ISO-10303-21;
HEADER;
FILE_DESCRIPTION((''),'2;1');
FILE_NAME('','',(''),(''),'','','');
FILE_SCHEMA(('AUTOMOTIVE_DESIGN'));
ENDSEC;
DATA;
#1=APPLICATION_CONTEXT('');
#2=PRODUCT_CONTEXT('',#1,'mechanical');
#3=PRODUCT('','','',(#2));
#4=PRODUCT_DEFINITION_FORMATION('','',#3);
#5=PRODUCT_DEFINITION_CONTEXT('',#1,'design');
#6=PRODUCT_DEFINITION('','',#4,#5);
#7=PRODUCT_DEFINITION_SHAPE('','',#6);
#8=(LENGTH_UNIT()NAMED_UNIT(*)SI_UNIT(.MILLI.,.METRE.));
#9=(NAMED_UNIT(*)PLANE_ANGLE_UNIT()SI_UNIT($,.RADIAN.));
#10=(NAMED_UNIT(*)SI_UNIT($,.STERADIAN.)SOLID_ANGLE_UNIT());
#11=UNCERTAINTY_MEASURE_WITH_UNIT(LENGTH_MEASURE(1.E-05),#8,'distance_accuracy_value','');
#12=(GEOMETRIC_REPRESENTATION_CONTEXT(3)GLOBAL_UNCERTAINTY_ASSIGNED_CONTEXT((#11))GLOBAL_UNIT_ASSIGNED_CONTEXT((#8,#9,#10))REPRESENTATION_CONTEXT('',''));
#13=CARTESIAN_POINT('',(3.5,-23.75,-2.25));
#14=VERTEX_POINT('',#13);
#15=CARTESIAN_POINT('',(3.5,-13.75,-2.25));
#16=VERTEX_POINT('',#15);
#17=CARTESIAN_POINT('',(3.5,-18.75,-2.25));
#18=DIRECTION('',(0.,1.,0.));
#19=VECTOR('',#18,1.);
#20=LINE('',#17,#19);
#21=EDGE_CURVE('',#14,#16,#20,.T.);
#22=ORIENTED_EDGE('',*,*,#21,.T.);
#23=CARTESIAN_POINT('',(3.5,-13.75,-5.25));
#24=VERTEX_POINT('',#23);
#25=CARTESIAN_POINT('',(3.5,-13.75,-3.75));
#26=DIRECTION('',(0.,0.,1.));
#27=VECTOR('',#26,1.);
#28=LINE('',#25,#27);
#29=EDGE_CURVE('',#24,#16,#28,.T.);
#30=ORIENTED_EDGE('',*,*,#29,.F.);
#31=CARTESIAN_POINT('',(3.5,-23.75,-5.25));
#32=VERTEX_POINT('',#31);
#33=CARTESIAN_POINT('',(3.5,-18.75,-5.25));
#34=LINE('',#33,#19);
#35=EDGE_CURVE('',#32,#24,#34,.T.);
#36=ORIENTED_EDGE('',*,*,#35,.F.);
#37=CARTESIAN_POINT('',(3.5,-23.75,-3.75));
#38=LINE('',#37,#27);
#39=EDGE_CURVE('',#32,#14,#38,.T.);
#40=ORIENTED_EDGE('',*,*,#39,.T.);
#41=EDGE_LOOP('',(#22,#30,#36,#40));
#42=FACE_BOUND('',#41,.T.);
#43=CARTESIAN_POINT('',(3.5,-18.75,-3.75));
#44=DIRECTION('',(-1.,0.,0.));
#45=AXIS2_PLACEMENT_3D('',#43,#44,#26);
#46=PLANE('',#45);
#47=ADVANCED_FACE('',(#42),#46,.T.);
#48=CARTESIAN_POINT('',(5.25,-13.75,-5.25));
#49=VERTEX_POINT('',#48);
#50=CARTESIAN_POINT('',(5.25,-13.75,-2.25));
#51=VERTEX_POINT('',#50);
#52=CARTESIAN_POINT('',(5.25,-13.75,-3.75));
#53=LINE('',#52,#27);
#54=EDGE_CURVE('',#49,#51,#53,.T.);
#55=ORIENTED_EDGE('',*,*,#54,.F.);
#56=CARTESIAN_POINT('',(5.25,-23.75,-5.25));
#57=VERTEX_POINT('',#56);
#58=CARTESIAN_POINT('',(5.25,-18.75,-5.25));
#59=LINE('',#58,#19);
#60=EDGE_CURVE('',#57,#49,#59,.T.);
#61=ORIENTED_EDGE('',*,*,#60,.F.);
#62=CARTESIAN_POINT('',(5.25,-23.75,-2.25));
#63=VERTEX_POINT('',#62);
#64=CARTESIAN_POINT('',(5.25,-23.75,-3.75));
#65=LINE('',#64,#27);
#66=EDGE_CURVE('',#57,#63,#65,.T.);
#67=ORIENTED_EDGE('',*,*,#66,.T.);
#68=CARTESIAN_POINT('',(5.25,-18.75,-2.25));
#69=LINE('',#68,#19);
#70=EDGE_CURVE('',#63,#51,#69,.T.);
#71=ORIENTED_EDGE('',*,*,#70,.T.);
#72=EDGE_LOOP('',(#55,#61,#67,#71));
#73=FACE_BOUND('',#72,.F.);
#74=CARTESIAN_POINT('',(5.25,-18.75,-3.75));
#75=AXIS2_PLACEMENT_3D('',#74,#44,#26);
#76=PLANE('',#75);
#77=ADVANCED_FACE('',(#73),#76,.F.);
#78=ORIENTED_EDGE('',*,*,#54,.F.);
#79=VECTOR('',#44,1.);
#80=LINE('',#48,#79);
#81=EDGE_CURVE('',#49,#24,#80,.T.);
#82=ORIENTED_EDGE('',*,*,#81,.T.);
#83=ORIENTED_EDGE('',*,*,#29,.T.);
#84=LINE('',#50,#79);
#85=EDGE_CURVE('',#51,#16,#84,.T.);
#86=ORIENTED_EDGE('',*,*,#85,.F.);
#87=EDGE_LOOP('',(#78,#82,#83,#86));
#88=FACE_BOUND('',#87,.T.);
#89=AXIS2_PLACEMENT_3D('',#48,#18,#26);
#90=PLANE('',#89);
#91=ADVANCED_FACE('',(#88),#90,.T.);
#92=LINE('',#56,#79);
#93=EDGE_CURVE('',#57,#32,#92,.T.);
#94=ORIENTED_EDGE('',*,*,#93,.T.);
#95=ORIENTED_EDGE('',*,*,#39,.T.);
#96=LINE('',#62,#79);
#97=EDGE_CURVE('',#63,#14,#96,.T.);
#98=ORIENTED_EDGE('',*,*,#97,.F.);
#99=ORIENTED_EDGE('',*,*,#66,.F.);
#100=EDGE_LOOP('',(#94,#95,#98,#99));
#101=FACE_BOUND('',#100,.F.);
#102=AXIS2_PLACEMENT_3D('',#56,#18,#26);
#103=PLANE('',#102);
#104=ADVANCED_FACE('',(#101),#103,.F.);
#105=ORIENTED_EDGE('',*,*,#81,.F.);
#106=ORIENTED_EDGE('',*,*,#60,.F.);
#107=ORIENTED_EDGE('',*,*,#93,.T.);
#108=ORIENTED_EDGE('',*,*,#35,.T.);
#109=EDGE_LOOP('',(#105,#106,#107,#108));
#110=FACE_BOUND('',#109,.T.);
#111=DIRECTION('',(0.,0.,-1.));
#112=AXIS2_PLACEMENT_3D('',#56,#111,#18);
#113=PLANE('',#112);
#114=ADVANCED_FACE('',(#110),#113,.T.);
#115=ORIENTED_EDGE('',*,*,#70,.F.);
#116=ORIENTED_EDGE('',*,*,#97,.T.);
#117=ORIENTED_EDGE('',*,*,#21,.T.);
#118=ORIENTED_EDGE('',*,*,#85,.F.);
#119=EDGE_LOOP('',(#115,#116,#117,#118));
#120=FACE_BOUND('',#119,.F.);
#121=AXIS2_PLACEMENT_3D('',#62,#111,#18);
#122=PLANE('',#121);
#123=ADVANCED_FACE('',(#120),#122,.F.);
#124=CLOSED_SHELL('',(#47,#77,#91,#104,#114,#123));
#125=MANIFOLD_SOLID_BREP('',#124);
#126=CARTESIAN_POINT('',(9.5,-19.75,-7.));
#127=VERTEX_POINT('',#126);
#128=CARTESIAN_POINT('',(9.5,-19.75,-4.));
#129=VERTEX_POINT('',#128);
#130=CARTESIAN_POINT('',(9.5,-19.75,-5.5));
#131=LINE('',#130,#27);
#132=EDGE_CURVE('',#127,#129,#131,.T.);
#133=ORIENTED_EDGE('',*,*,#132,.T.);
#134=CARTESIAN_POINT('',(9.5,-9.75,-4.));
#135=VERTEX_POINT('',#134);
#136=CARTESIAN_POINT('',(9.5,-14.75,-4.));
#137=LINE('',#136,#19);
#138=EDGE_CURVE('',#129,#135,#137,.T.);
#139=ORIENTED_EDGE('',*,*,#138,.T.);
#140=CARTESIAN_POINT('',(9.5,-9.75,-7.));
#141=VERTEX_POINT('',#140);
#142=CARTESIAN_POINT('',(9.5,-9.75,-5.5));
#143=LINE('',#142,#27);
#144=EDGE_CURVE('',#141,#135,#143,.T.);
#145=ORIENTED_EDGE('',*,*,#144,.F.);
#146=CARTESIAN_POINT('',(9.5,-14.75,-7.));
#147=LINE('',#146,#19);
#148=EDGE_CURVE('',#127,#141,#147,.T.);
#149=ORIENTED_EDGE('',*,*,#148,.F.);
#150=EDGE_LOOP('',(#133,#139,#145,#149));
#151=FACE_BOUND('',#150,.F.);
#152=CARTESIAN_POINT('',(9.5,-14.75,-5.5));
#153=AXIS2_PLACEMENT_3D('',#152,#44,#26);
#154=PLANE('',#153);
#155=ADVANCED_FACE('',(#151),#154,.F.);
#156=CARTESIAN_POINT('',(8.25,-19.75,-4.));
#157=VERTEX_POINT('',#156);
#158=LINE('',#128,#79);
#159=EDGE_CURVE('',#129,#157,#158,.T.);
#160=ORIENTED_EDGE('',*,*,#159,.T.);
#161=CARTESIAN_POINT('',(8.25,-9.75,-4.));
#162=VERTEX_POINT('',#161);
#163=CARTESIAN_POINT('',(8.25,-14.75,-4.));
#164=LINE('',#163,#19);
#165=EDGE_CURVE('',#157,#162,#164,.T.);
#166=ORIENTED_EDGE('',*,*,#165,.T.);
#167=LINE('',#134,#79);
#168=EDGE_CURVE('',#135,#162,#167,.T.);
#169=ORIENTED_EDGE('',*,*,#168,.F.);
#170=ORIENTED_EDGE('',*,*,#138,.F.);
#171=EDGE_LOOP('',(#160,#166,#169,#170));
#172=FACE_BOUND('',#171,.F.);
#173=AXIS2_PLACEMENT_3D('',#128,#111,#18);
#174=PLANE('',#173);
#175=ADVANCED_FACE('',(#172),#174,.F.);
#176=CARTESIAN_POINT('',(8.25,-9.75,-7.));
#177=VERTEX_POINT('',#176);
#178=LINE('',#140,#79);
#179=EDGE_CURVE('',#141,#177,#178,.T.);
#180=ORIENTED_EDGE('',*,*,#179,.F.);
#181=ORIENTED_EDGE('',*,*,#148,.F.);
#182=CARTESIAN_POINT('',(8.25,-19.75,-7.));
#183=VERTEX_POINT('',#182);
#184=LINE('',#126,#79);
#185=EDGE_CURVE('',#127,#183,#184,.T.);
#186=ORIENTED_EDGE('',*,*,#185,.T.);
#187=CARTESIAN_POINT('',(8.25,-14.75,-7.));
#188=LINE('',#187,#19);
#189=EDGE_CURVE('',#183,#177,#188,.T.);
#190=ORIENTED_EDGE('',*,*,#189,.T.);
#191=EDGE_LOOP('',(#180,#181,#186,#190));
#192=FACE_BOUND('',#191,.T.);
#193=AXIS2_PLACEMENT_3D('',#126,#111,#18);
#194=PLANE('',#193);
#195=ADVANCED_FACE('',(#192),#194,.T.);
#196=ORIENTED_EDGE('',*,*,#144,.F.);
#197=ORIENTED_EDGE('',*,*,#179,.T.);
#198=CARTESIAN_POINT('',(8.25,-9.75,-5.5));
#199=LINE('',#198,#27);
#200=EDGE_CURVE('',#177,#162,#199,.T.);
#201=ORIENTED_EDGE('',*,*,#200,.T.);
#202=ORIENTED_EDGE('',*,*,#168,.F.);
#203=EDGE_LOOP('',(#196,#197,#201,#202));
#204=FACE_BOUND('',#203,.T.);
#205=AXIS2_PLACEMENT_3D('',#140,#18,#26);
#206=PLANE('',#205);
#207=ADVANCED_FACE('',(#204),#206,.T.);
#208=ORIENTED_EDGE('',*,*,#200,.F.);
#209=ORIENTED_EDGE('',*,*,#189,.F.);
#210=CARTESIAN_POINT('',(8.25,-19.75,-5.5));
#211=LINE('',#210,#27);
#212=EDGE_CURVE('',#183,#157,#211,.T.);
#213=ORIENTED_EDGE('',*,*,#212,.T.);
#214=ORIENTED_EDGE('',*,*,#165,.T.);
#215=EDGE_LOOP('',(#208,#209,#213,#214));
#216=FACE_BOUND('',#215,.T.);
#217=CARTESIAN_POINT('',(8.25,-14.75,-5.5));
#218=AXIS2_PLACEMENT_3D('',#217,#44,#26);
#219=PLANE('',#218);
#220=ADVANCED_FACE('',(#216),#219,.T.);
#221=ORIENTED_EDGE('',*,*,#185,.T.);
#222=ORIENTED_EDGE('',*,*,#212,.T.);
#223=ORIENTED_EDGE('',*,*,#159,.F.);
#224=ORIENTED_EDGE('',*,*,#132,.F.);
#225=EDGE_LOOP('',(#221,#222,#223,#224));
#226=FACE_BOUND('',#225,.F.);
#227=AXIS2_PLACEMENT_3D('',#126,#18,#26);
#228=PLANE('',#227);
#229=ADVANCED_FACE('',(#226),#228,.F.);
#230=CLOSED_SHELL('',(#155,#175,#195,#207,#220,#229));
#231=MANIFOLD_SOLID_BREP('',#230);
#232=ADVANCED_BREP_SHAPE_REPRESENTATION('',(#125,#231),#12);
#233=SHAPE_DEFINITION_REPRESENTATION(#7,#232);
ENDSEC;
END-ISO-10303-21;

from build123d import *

# Parameters (mm, degrees)
BOX030_W     = 3
BOX030_H     = 10
BOX030_DEPTH = 1.25
BOX031_W     = 3
BOX031_H     = 10
BOX031_DEPTH = 1.75


with BuildPart() as cube029:
    # Box030 → Box030 (new body)
    with BuildSketch(Plane(origin=(9.5, -19.75, -7), x_dir=(0, 0, 1), z_dir=(-1, 0, 0))):
        with Locations((1.5, 5)):
            Rectangle(BOX030_W, BOX030_H)
    extrude(amount=BOX030_DEPTH)


with BuildPart() as topcuts:
    # Box031 → Box031 (new body)
    with BuildSketch(Plane(origin=(5.25, -23.75, -5.25), x_dir=(0, 0, 1), z_dir=(-1, 0, 0))):
        with Locations((1.5, 5)):
            Rectangle(BOX031_W, BOX031_H)
    extrude(amount=BOX031_DEPTH)

    # Fusion047: union Cube029
    add(cube029.part)


solid = topcuts.part
